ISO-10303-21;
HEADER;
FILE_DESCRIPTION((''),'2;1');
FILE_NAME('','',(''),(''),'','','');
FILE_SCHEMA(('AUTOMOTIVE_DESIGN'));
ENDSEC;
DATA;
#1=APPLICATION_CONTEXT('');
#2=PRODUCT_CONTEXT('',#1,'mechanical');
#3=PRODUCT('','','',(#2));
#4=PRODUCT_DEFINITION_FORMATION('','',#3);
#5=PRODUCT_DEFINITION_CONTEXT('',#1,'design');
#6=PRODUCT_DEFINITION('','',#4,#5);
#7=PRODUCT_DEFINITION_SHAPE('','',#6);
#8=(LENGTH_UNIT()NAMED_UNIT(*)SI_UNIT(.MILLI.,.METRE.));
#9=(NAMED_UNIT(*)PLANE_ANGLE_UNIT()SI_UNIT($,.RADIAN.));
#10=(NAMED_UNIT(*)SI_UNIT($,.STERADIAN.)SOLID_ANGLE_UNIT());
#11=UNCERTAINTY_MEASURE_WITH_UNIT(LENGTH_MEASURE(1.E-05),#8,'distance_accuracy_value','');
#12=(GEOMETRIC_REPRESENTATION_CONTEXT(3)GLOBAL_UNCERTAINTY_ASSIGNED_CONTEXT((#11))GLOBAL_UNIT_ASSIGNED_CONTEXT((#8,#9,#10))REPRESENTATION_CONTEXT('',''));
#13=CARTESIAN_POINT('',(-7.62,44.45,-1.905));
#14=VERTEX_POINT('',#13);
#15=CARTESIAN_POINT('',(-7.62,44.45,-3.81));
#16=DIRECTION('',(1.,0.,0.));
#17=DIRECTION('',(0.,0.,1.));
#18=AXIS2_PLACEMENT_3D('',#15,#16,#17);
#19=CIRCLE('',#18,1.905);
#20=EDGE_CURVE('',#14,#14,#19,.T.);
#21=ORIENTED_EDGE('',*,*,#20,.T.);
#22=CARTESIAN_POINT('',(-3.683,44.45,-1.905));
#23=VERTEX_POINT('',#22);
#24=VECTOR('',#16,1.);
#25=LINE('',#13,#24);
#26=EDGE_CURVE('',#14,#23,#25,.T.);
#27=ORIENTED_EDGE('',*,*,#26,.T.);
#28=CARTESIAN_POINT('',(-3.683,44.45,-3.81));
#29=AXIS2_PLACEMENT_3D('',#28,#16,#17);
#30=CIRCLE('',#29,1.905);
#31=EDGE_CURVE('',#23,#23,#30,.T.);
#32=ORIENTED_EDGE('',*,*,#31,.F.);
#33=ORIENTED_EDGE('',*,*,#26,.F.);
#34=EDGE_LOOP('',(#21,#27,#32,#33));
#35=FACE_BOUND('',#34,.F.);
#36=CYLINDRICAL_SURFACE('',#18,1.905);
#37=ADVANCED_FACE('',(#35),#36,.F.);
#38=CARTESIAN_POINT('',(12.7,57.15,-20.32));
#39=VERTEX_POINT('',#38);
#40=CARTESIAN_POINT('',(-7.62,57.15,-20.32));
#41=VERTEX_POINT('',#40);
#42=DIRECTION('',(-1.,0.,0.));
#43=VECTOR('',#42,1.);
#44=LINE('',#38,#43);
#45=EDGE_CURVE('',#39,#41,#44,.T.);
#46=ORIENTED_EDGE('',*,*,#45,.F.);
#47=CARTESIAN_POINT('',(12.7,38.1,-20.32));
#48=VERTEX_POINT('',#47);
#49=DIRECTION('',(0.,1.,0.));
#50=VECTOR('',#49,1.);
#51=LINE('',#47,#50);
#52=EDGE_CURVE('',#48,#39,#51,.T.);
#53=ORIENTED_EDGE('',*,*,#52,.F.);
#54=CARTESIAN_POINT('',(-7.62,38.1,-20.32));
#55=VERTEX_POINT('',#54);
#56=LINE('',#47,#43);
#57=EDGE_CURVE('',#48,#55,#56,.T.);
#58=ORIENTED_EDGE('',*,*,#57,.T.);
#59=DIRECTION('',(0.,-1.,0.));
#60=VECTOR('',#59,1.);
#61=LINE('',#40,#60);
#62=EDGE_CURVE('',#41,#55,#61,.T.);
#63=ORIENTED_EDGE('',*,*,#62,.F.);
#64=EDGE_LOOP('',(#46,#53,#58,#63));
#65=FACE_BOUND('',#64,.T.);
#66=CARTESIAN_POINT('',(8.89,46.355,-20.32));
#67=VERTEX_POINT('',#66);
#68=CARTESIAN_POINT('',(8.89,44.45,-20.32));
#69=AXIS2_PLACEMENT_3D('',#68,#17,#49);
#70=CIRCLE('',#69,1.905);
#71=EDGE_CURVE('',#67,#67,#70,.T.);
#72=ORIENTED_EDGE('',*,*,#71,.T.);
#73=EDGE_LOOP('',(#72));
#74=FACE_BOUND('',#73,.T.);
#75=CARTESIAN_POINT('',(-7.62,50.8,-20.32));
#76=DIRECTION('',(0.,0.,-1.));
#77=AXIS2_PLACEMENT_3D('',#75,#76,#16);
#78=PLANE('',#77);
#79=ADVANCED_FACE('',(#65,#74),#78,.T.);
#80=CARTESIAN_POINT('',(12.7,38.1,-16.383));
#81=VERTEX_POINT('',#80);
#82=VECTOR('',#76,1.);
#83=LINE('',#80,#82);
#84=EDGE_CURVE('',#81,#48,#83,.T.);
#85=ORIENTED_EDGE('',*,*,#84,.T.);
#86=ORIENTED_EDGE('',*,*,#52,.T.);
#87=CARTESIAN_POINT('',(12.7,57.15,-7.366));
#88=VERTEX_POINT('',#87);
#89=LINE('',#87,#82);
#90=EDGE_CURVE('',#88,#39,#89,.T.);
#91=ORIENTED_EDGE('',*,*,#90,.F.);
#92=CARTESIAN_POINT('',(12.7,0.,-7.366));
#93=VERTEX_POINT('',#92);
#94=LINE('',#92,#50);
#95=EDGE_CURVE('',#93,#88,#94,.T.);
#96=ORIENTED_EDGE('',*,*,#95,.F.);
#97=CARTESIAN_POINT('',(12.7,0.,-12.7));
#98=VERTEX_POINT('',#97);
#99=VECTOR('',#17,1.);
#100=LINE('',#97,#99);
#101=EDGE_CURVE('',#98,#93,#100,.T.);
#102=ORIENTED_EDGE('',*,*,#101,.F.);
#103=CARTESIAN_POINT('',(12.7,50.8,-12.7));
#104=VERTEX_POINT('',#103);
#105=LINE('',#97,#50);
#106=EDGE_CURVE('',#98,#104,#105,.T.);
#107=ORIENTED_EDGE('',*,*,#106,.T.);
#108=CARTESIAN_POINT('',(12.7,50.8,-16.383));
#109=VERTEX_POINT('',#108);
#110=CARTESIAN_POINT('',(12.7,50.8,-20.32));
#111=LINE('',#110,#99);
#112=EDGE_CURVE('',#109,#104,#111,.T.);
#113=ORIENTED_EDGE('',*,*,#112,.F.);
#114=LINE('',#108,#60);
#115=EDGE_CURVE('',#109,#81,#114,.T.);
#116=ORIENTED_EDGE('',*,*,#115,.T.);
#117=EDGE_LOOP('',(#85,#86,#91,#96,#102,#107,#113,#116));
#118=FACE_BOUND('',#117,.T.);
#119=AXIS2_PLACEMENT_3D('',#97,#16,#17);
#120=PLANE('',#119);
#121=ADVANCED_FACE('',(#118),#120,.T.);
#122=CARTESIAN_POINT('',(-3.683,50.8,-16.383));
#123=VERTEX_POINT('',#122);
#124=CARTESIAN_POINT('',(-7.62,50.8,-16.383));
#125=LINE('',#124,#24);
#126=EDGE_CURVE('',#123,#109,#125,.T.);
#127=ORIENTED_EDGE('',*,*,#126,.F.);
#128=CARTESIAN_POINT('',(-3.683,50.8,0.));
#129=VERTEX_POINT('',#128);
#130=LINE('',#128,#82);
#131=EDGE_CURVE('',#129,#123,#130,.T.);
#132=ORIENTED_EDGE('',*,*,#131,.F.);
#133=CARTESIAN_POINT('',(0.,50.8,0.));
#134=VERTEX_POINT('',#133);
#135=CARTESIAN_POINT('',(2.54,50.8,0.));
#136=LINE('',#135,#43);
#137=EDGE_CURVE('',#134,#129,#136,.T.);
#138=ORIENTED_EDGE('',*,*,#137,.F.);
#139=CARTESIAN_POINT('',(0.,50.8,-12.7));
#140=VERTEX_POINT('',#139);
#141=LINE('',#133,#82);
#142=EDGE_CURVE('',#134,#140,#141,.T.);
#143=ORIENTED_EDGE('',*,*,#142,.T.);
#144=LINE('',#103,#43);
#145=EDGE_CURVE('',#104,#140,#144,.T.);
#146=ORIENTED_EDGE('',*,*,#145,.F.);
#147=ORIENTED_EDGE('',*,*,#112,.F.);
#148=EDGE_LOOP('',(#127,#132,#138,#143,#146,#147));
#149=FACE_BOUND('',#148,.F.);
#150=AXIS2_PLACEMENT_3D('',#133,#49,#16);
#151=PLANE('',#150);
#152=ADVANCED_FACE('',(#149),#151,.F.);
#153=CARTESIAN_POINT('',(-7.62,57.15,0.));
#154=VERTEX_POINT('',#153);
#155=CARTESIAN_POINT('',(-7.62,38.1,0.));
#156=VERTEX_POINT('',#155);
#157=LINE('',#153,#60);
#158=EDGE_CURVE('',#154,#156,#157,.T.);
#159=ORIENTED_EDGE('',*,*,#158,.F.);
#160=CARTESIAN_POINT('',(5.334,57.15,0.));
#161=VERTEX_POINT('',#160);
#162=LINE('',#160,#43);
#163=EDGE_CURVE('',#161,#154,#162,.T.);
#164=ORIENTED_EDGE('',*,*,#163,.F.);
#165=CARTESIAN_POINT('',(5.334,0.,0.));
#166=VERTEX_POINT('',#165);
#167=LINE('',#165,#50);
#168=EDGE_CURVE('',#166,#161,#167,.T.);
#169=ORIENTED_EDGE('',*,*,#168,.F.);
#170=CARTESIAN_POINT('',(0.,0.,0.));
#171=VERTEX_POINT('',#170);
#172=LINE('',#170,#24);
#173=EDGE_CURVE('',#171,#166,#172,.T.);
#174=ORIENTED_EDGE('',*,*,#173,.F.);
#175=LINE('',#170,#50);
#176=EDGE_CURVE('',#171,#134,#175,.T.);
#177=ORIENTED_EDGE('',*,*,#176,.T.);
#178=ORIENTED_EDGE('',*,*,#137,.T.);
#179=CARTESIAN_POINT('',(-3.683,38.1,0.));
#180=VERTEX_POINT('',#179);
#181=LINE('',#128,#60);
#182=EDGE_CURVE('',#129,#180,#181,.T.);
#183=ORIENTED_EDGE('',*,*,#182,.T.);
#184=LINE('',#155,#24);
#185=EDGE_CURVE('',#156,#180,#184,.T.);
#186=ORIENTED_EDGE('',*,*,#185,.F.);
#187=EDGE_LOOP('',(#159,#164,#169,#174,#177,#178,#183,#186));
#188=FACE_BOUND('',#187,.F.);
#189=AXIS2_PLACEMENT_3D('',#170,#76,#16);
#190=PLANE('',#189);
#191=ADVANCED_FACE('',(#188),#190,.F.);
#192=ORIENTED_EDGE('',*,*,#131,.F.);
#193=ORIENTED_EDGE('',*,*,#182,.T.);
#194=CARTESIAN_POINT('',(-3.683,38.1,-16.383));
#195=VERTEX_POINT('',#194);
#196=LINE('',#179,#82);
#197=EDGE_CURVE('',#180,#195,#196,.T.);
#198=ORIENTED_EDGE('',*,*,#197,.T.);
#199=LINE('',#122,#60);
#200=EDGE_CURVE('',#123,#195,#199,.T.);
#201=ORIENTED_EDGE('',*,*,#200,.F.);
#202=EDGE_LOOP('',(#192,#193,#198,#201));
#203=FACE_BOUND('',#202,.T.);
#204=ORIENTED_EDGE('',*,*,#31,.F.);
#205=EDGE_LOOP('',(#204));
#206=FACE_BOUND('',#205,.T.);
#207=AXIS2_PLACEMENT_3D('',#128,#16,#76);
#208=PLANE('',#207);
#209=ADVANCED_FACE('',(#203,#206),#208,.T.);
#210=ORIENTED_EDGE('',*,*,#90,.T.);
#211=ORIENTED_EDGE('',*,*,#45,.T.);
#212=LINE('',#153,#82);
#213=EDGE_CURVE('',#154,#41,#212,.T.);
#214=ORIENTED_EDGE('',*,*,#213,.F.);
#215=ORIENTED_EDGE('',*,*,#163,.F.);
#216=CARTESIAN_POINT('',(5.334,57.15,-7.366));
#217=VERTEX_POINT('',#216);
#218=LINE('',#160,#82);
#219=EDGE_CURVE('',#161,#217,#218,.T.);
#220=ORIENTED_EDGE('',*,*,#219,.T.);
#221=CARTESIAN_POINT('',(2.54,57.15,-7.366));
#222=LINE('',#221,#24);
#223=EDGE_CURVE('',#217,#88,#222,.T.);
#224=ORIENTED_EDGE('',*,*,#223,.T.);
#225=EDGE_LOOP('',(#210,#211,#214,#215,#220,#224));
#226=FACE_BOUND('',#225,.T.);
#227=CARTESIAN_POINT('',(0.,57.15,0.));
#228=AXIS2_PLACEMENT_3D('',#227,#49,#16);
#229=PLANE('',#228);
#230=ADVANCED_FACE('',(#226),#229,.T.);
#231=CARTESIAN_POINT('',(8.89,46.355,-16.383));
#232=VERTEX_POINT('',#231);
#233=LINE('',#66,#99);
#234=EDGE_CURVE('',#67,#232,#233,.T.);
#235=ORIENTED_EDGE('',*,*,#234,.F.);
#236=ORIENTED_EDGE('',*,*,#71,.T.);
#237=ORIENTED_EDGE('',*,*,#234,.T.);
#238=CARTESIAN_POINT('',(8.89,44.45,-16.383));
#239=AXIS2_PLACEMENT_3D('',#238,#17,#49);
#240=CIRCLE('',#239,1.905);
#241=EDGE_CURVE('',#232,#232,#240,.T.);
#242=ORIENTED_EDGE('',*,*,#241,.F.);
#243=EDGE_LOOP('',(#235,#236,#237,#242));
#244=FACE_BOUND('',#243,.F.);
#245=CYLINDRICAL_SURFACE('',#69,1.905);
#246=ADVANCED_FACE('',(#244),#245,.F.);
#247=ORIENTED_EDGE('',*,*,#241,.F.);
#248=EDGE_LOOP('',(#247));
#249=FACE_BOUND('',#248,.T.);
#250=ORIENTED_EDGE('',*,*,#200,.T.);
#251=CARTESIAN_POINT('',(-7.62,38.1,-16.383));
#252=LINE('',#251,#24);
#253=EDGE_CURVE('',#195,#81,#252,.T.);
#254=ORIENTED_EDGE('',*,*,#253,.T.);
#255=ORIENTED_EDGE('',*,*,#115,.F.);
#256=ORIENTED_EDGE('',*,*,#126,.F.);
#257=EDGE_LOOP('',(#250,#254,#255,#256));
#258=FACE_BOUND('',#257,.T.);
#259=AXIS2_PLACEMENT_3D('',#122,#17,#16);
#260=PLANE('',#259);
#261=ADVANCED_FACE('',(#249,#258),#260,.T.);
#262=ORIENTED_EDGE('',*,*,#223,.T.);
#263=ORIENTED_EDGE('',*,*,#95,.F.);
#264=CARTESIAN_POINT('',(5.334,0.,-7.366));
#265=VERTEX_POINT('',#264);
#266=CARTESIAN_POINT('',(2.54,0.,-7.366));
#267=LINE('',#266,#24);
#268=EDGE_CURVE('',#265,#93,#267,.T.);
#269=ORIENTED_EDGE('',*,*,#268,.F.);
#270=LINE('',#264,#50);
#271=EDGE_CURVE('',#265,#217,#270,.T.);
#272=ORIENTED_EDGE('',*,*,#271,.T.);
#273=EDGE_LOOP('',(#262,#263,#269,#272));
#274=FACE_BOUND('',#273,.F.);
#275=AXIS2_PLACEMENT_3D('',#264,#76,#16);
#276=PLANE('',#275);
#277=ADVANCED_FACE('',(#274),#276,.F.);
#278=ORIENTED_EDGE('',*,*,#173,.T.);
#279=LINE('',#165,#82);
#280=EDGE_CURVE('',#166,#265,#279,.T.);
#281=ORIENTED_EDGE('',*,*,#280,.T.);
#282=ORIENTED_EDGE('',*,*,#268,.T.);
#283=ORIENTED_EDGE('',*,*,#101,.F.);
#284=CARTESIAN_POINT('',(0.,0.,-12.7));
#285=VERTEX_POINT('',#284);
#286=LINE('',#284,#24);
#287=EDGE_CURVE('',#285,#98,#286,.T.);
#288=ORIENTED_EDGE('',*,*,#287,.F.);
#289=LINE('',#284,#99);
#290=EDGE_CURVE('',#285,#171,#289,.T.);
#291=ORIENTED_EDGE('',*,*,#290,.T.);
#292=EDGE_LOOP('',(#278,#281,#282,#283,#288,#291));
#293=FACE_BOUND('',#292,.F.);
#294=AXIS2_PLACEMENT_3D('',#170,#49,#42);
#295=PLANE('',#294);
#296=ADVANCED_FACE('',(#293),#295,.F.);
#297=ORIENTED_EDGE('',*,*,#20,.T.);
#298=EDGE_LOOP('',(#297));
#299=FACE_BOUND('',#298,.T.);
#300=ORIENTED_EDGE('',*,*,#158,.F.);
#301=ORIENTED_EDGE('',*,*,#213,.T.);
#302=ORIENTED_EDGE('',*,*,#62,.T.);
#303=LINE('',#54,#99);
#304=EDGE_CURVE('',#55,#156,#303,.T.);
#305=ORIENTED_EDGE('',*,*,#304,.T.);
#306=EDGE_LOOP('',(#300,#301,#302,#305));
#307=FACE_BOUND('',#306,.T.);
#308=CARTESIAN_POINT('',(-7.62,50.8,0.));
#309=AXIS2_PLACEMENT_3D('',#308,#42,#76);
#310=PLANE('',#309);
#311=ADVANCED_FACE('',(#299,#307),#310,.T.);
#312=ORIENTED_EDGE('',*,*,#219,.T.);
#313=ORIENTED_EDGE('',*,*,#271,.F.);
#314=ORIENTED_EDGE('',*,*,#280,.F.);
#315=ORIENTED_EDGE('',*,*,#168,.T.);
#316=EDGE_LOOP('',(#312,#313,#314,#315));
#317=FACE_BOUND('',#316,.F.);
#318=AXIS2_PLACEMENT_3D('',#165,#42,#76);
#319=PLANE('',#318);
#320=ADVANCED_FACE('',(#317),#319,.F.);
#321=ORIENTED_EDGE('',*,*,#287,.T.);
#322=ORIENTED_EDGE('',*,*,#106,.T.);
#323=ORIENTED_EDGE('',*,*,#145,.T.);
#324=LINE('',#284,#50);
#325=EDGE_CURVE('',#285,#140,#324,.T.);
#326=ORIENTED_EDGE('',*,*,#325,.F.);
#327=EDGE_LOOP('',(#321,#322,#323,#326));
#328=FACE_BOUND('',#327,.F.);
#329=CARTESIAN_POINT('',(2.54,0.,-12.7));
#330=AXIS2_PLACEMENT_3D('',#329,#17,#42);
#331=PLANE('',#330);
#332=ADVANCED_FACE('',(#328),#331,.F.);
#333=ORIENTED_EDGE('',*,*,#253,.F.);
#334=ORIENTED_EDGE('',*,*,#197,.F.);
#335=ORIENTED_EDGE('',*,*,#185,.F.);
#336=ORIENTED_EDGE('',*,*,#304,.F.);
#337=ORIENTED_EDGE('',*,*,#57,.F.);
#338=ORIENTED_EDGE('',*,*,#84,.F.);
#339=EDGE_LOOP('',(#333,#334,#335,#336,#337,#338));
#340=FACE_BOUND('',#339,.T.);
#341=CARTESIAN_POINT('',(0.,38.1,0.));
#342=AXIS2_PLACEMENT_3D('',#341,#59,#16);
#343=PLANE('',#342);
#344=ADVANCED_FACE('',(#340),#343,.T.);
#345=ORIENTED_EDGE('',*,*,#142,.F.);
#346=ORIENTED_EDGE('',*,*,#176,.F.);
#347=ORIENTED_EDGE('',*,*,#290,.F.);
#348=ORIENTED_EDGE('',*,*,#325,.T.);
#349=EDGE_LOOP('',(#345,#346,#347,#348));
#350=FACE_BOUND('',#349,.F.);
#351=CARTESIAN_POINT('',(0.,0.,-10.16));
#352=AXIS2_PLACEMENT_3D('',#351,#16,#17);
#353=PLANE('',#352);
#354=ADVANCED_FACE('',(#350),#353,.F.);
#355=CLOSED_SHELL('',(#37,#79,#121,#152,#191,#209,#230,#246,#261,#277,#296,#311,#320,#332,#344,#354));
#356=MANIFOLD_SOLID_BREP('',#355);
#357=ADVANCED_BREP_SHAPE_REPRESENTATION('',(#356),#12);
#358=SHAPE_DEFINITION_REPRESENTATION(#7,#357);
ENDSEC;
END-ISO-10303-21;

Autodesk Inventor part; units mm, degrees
ref_plane "YZ Plane" through (0, 0, 0) normal (1, 0, 0) x (0, 1, 0)
ref_plane "XZ Plane" through (0, 0, 0) normal (0, 1, 0) x (-1, 0, 0)
ref_plane "XY Plane" through (0, 0, 0) normal (0, 0, 1) x (1, 0, 0)
sketch "Sketch1" plane through (0, 0, 0) normal (0, 1, 0) x (-1, 0, 0)
  line L0 (0, 0) -> (-2.54, 0)
  line L1 (-2.54, 0) -> (-2.54, -12.7)
  line L2 (-2.54, -12.7) -> (0, -12.7)
  line L3 (0, -12.7) -> (0, 0)
  line L4 (0, -12.7) -> (-12.7, -12.7)
  line L5 (-12.7, -12.7) -> (-12.7, -10.16)
  line L6 (-12.7, -10.16) -> (0, -10.16)
  line L7 (0, -10.16) -> (0, -12.7)
  dimension "d0" = 12.7
  dimension "d1" = 12.7
  dimension "d2" = 2.54
  dimension "d3" = 2.54
extrude "Extrusion1" add sketch "Sketch1" along normal blind 50.8
sketch "Sketch2" plane through (0, 50.8, 0) normal (0, 1, 0) x (1, 0, 0)
  line L0 (2.54, 0) -> (-7.62, 0)
  line L1 (-7.62, 0) -> (-7.62, 20.32)
  line L2 (-7.62, 20.32) -> (2.54, 20.32)
  line L3 (2.54, 20.32) -> (2.54, 0)
  line L4 (12.7, 10.16) -> (12.7, 12.7) projected
  line L5 (12.7, 10.16) -> (-7.62, 10.16)
  line L6 (-7.62, 10.16) -> (-7.62, 20.32)
  line L7 (-7.62, 20.32) -> (12.7, 20.32)
  line L8 (12.7, 20.32) -> (12.7, 10.16)
  line L9 (2.54, 0) -> (2.54, 10.16) projected
  point P0 (0, 0)
  dimension "d6" = 10.16
  dimension "d7" = 0
  dimension "d8" = 10.16
  dimension "d9" = 20.32
extrude "Extrusion2" add sketch "Sketch2" along normal blind 6.35
sketch "Sketch3" plane through (0, 50.8, 0) normal (0, -1, 0) x (1, 0, 0)
  line L0 (-7.62, -20.32) -> (12.7, -20.32) projected
  line L1 (12.7, -20.32) -> (-7.62, -20.32)
  line L2 (-7.62, -20.32) -> (-7.62, -16.383)
  line L3 (-7.62, -16.383) -> (12.7, -16.383)
  line L4 (12.7, -16.383) -> (12.7, -20.32)
  line L5 (-7.62, 0) -> (-3.683, 0)
  line L6 (-3.683, 0) -> (-3.683, -20.32)
  line L7 (-3.683, -20.32) -> (-7.62, -20.32)
  line L8 (-7.62, -20.32) -> (-7.62, 0)
  line L9 (0, -12.7) -> (0, 0) projected
  line L10 (12.7, -12.7) -> (0, -12.7) projected
  dimension "d12" = 3.683
  dimension "d13" = 3.683
extrude "Extrusion3" add sketch "Sketch3" along normal blind 12.7
sketch "Sketch4" plane through (-7.62, 57.15, -20.32) normal (-1, 0, 0) x (0, 0, 1)
  line L0 (20.32, 0) -> (20.32, -19.05) projected
  line L1 (0, 0) -> (20.32, 0) projected
  point P0 (20.32, -57.15)
  point P1 (16.51, -12.7)
  point P2 (20.32, -6.35)
  dimension "d16" = 3.81
  dimension "d27" = 6.35
hole "Hole1" at (-7.62, 44.45, -3.81) direction (1, 0, 0) diameter 3.81 depth 4.318 tip angle 118
sketch "Sketch5" plane through (12.7, 57.15, -20.32) normal (0, 0, -1) x (-1, 0, 0)
  line L0 (16.383, -6.35) -> (0, -6.35) projected
  line L1 (0, 0) -> (0, -19.05) projected
  point P0 (12.7, -57.15)
  point P1 (3.81, -12.7)
  dimension "d28" = 6.35
  dimension "d29" = 3.81
hole "Hole2" at (8.89, 44.45, -20.32) direction (0, 0, 1) diameter 3.81 depth 4.445 tip angle 118
sketch "Sketch6" plane through (0, 0, 0) normal (0, 1, 0) x (-1, 0, 0)
  line L0 (-2.54, 0) -> (-2.54, -10.16) projected
  line L1 (-2.54, 0) -> (-5.334, 0)
  line L2 (-5.334, 0) -> (-5.334, -10.16)
  line L3 (-5.334, -10.16) -> (-2.54, -10.16)
  line L4 (-2.54, -10.16) -> (-2.54, 0)
  line L5 (-2.54, -10.16) -> (-12.7, -10.16) projected
  line L6 (-12.7, -10.16) -> (-2.54, -10.16)
  line L7 (-2.54, -10.16) -> (-2.54, -7.366)
  line L8 (-2.54, -7.366) -> (-12.7, -7.366)
  line L9 (-12.7, -7.366) -> (-12.7, -10.16)
  point P0 (0, 0)
  dimension "d37" = 2.794
  dimension "d38" = 2.794
extrude "Extrusion4" add sketch "Sketch6" along normal blind 57.15
equation "\"d38\" = d37"
properties part number "TelescopeGroot 8"
